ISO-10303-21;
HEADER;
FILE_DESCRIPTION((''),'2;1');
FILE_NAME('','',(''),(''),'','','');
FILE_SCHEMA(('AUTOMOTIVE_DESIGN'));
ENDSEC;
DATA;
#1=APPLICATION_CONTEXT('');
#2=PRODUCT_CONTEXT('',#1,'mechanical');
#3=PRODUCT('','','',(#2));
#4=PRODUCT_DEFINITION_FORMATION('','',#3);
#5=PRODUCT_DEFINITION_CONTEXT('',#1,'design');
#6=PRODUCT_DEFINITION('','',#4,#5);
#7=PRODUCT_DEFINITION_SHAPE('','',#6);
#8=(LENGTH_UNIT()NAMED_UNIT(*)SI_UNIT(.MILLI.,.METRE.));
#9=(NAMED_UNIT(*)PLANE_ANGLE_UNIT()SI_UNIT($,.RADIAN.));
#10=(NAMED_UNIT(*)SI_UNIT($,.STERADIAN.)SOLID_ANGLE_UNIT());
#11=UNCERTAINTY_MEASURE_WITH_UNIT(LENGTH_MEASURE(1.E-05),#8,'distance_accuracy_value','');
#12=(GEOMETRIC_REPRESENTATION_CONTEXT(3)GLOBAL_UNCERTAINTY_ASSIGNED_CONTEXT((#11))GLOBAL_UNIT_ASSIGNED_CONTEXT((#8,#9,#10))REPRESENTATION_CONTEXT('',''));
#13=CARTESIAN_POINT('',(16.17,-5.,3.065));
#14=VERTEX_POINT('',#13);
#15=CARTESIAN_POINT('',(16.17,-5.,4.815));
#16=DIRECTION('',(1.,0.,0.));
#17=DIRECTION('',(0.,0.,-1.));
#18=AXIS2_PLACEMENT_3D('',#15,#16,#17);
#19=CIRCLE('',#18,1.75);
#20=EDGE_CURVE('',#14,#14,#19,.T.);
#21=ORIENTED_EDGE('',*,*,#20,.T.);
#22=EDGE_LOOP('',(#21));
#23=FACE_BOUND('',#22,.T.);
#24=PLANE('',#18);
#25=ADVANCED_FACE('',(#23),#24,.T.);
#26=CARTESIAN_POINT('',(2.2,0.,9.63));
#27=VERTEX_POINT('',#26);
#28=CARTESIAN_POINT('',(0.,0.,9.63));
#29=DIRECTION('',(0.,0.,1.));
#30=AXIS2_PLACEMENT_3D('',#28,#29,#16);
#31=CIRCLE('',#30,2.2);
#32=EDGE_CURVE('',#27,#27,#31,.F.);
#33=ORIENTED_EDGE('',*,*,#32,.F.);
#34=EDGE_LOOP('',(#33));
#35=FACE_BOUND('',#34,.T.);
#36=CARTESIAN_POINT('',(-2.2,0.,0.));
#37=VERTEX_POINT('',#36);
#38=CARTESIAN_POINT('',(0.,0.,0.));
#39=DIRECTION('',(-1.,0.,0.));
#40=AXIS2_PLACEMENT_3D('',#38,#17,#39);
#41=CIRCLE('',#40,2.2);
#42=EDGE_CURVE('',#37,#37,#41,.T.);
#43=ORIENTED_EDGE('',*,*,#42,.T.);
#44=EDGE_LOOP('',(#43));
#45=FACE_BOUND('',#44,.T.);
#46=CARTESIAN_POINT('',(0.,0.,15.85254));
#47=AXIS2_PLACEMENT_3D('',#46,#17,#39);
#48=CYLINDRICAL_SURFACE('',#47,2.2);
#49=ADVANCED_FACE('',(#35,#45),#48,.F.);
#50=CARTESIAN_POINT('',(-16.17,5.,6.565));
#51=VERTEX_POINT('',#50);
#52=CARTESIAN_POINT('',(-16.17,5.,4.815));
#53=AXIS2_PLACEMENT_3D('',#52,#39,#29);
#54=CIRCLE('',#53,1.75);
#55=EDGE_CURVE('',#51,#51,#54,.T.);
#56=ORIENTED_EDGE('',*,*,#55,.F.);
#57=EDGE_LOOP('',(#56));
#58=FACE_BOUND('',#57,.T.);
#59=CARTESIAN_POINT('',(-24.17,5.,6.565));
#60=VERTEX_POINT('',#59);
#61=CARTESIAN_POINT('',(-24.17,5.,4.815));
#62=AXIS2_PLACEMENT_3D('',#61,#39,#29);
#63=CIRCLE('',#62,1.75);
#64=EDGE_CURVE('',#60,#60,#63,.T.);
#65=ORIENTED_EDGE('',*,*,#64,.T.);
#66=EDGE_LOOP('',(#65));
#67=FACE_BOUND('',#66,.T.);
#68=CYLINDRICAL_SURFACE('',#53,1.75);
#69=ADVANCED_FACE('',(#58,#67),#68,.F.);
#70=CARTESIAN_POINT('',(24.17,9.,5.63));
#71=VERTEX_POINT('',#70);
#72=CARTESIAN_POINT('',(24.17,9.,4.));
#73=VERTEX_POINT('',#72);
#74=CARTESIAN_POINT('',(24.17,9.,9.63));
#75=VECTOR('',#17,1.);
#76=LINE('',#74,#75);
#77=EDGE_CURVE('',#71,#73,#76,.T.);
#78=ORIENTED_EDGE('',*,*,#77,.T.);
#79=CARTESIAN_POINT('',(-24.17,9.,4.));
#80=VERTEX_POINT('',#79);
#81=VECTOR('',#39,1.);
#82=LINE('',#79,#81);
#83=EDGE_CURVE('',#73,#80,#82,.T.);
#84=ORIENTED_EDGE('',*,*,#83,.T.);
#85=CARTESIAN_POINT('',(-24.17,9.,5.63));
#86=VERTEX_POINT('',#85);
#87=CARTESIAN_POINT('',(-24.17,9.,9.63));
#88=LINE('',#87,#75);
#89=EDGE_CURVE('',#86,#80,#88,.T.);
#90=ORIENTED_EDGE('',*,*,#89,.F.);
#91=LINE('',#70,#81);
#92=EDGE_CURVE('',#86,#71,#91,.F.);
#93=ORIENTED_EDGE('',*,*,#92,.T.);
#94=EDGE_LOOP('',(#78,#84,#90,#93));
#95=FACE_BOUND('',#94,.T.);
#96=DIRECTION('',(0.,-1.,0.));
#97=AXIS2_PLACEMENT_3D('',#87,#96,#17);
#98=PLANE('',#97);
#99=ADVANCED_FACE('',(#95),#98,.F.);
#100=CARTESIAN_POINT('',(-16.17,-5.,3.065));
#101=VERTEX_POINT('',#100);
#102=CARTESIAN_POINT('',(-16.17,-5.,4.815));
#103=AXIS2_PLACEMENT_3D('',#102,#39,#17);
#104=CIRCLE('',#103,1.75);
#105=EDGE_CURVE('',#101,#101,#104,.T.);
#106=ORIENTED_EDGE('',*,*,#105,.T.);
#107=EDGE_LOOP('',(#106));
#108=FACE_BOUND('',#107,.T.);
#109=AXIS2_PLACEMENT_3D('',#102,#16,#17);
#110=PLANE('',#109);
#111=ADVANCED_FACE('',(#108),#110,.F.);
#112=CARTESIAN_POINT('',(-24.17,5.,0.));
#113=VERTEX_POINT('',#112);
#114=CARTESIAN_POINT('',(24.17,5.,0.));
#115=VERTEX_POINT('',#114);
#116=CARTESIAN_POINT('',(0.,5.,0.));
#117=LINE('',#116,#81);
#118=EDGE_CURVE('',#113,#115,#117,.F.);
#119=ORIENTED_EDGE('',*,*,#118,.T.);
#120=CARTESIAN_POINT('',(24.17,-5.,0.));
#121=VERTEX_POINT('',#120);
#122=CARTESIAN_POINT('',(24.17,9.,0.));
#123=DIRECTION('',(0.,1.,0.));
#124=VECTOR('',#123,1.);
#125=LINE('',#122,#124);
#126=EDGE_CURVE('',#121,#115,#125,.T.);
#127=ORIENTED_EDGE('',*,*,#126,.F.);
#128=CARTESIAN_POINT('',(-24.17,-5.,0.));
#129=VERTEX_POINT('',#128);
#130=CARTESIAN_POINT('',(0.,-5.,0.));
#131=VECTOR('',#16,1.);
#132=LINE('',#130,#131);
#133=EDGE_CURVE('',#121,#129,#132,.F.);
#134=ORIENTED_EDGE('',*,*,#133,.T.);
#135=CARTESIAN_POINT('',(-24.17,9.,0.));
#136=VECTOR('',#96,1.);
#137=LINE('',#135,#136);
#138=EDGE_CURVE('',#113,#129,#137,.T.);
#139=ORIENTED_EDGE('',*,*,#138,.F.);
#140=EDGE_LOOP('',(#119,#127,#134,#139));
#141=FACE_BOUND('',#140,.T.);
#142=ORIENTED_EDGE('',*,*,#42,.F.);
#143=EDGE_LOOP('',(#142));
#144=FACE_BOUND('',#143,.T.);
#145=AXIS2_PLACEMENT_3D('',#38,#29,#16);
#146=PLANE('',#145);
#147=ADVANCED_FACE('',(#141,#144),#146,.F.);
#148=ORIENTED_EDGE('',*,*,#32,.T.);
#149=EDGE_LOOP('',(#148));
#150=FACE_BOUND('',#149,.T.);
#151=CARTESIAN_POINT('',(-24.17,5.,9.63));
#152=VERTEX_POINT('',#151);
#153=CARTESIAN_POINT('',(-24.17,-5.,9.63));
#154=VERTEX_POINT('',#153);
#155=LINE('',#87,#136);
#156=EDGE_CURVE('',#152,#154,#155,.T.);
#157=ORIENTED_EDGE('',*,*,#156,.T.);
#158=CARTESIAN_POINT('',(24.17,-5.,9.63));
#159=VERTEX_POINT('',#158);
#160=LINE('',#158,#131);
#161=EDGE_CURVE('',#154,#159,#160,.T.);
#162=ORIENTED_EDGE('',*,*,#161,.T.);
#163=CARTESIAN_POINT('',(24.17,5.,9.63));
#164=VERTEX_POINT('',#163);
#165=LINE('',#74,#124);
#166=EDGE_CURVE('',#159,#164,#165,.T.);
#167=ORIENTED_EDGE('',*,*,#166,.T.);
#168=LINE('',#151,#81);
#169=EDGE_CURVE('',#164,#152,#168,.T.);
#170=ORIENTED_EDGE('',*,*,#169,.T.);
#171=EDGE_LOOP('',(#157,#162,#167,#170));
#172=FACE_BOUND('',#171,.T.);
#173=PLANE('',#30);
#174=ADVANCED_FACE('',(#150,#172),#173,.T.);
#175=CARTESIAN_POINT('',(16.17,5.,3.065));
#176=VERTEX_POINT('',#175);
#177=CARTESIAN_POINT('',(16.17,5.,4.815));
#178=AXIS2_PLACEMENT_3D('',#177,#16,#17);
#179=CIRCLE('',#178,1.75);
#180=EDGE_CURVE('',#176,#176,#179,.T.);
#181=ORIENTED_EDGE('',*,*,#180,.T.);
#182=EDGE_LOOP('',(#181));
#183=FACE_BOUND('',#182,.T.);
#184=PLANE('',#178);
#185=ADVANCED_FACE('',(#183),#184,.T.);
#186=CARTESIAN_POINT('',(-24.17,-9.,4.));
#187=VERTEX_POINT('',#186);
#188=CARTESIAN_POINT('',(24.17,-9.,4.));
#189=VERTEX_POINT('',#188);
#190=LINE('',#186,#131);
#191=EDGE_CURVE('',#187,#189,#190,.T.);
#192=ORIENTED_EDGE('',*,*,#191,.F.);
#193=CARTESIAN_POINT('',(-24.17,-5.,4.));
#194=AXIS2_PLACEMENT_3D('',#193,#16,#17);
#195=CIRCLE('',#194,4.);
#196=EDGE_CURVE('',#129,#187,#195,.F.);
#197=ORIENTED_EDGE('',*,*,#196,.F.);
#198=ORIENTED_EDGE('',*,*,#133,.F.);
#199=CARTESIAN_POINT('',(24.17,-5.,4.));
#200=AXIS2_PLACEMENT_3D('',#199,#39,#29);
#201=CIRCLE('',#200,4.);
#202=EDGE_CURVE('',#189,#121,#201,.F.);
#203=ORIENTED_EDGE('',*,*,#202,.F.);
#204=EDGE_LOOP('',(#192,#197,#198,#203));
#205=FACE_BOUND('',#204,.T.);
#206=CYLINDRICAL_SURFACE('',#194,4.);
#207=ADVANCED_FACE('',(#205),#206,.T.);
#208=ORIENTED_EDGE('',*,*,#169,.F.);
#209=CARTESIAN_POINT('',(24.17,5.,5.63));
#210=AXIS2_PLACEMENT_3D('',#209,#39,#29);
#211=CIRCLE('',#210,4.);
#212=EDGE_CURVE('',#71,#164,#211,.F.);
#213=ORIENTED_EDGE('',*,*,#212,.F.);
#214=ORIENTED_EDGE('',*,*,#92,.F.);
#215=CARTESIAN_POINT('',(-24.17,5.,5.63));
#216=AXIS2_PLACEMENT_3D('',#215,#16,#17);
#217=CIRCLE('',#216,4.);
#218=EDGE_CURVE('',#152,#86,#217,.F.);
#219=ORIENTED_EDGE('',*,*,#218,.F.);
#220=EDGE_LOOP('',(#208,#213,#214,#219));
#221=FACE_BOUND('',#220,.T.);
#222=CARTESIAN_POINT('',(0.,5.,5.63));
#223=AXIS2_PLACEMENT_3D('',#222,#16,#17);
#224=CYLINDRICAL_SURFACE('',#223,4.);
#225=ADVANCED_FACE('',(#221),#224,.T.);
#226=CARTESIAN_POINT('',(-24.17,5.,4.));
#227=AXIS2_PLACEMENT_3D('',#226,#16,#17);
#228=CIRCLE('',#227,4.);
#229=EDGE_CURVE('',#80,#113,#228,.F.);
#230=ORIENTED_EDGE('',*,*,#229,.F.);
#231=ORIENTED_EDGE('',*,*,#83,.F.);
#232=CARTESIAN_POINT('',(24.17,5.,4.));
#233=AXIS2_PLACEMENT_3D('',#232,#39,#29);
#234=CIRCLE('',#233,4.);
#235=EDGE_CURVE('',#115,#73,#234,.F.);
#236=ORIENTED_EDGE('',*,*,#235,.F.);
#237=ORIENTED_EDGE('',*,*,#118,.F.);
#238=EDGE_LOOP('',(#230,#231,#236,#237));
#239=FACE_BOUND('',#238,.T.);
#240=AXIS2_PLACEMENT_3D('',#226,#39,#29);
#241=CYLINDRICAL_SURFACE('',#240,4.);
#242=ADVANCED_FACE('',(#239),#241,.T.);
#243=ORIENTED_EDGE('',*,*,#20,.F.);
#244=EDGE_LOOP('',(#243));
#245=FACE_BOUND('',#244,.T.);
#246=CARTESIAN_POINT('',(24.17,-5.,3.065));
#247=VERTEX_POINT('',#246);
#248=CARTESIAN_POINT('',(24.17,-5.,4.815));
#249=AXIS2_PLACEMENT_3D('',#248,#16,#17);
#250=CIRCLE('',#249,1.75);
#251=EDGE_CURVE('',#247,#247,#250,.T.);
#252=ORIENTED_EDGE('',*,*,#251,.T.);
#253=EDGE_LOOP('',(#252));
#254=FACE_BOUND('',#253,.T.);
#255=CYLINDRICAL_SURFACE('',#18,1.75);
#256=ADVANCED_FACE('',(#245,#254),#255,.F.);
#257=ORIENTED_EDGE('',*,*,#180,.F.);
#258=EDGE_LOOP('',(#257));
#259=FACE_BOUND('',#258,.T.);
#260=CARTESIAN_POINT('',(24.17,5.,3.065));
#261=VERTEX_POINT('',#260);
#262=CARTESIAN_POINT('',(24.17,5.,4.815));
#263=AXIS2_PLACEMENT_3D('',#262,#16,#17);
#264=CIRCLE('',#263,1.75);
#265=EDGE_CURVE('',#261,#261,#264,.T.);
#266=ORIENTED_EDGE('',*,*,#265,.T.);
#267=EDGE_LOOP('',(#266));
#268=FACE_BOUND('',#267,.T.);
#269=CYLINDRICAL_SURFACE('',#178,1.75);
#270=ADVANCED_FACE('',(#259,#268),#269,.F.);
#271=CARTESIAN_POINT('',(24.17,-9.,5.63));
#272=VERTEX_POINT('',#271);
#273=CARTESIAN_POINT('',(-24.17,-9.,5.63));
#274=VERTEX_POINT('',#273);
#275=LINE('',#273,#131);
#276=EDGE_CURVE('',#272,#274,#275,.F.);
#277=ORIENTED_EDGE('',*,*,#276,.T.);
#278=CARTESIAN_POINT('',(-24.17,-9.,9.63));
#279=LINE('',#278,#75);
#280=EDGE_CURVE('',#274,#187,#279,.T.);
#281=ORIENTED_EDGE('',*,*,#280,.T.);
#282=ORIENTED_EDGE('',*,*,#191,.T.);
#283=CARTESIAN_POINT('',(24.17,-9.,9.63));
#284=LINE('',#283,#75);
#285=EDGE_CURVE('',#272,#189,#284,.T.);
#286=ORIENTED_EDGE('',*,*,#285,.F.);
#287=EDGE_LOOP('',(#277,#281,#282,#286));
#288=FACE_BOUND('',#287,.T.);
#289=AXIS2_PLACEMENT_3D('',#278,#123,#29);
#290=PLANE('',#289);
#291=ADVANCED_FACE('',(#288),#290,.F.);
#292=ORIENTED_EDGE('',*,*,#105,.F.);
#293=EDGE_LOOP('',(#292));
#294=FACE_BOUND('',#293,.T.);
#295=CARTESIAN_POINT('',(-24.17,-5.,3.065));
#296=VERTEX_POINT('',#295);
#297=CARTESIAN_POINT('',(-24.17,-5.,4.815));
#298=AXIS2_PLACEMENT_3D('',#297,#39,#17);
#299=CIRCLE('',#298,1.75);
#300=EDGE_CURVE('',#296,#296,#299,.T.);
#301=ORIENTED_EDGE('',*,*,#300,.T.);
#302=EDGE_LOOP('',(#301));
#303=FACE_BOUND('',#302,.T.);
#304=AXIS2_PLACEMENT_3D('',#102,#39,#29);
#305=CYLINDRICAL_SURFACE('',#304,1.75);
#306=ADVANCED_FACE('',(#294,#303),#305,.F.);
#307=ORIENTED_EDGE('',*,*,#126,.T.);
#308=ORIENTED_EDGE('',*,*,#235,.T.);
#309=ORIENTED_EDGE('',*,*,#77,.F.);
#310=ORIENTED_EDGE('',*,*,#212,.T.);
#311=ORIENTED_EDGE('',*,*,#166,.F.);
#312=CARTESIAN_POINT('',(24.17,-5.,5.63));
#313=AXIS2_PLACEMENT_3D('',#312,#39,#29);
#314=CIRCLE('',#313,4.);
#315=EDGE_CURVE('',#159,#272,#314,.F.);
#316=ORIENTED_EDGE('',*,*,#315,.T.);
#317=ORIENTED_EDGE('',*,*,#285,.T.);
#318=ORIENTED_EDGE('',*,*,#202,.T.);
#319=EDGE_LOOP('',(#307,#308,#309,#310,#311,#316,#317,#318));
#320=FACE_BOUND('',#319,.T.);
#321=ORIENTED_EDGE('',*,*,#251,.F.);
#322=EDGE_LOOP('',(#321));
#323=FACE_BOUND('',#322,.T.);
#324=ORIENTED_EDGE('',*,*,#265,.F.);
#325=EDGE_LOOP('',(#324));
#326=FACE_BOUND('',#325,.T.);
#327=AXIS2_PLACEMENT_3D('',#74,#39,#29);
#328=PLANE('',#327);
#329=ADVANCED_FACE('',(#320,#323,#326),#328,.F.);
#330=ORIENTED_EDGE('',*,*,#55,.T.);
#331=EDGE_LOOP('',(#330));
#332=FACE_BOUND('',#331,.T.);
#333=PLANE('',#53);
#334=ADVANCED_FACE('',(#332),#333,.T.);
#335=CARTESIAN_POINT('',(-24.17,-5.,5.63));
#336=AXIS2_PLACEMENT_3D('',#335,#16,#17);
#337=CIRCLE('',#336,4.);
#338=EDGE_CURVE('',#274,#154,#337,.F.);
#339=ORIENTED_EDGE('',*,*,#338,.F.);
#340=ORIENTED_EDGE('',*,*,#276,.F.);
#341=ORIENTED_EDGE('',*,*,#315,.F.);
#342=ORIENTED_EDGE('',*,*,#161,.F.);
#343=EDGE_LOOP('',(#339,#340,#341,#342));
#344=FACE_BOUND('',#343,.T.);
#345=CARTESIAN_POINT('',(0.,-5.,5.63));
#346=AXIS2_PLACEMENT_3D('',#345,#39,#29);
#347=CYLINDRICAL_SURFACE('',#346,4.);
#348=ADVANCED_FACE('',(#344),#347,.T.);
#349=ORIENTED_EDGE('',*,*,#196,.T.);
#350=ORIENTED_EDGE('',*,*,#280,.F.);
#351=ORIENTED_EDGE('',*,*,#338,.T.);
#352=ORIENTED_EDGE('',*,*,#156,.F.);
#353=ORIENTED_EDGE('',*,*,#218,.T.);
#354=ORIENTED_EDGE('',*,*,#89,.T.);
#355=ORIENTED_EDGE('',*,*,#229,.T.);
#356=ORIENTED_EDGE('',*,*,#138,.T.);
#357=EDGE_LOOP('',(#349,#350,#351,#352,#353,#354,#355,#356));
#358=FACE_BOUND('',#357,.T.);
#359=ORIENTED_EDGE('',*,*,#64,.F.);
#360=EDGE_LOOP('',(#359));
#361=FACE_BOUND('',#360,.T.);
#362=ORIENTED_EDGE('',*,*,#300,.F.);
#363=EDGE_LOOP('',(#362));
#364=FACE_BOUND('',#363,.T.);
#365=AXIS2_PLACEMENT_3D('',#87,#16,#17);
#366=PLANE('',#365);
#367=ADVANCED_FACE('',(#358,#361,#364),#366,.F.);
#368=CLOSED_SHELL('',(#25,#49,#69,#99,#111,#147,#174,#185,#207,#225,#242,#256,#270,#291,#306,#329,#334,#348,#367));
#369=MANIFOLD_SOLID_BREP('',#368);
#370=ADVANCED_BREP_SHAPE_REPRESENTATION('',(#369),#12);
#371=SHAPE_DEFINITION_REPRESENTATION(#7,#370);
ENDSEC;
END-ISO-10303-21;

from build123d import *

# Parameters (mm, degrees)
SKETCH1_W         = 48.34
SKETCH1_H         = 18
EXTRUDE_3_8_DEPTH = 9.63
SKETCH2_R         = 1.75
M4_DRILL_DEPTH    = 8
M4_DRILL2_START   = -8
SKETCH3_R         = 1.75
M4_DRILL2_DEPTH   = 8
SKETCH5_R         = 2.2
M5_DRILL_DEPTH    = 9.63
FILLET1_R         = 4


with BuildPart() as part:
    # Sketch1 → 3/8 (new body)
    with BuildSketch(Plane.XY):
        Rectangle(SKETCH1_W, SKETCH1_H)
    extrude(amount=EXTRUDE_3_8_DEPTH)

    # Sketch2 → M4_DRILL (cut)
    with BuildSketch(Plane.ZY.offset(24.17)):
        with Locations((4.815, 5)):
            Circle(SKETCH2_R)
        with Locations(Location((4.815, -5, 0), (0, 0, 180))):
            Circle(SKETCH2_R)
    extrude(amount=-M4_DRILL_DEPTH, mode=Mode.SUBTRACT)

    # Sketch3 → M4_DRILL2 (cut)
    with BuildSketch(Plane(origin=(24.17, 0, 0), x_dir=(0, 0, -1), z_dir=(1, 0, 0)).offset(M4_DRILL2_START)):
        with Locations((-4.815, -5)):
            Circle(SKETCH3_R)
        with Locations(Location((-4.815, 5, 0), (0, 0, 180))):
            Circle(SKETCH3_R)
    extrude(amount=M4_DRILL2_DEPTH, mode=Mode.SUBTRACT)

    # Sketch5 → M5_DRILL (cut)
    with BuildSketch(Plane(origin=(0, 0, 0), x_dir=(-1, 0, 0), z_dir=(0, 0, -1))):
        Circle(SKETCH5_R)
    extrude(amount=-M5_DRILL_DEPTH, mode=Mode.SUBTRACT)

    # Fillet1
    fillet1_edges = [part.edges().sort_by_distance(p)[0] for p in [
        (0, -9, 9.63),
        (0, -9, 0),
        (0, 9, 0),
        (0, 9, 9.63),
    ]]
    fillet(fillet1_edges, radius=FILLET1_R)


solid = part.part
